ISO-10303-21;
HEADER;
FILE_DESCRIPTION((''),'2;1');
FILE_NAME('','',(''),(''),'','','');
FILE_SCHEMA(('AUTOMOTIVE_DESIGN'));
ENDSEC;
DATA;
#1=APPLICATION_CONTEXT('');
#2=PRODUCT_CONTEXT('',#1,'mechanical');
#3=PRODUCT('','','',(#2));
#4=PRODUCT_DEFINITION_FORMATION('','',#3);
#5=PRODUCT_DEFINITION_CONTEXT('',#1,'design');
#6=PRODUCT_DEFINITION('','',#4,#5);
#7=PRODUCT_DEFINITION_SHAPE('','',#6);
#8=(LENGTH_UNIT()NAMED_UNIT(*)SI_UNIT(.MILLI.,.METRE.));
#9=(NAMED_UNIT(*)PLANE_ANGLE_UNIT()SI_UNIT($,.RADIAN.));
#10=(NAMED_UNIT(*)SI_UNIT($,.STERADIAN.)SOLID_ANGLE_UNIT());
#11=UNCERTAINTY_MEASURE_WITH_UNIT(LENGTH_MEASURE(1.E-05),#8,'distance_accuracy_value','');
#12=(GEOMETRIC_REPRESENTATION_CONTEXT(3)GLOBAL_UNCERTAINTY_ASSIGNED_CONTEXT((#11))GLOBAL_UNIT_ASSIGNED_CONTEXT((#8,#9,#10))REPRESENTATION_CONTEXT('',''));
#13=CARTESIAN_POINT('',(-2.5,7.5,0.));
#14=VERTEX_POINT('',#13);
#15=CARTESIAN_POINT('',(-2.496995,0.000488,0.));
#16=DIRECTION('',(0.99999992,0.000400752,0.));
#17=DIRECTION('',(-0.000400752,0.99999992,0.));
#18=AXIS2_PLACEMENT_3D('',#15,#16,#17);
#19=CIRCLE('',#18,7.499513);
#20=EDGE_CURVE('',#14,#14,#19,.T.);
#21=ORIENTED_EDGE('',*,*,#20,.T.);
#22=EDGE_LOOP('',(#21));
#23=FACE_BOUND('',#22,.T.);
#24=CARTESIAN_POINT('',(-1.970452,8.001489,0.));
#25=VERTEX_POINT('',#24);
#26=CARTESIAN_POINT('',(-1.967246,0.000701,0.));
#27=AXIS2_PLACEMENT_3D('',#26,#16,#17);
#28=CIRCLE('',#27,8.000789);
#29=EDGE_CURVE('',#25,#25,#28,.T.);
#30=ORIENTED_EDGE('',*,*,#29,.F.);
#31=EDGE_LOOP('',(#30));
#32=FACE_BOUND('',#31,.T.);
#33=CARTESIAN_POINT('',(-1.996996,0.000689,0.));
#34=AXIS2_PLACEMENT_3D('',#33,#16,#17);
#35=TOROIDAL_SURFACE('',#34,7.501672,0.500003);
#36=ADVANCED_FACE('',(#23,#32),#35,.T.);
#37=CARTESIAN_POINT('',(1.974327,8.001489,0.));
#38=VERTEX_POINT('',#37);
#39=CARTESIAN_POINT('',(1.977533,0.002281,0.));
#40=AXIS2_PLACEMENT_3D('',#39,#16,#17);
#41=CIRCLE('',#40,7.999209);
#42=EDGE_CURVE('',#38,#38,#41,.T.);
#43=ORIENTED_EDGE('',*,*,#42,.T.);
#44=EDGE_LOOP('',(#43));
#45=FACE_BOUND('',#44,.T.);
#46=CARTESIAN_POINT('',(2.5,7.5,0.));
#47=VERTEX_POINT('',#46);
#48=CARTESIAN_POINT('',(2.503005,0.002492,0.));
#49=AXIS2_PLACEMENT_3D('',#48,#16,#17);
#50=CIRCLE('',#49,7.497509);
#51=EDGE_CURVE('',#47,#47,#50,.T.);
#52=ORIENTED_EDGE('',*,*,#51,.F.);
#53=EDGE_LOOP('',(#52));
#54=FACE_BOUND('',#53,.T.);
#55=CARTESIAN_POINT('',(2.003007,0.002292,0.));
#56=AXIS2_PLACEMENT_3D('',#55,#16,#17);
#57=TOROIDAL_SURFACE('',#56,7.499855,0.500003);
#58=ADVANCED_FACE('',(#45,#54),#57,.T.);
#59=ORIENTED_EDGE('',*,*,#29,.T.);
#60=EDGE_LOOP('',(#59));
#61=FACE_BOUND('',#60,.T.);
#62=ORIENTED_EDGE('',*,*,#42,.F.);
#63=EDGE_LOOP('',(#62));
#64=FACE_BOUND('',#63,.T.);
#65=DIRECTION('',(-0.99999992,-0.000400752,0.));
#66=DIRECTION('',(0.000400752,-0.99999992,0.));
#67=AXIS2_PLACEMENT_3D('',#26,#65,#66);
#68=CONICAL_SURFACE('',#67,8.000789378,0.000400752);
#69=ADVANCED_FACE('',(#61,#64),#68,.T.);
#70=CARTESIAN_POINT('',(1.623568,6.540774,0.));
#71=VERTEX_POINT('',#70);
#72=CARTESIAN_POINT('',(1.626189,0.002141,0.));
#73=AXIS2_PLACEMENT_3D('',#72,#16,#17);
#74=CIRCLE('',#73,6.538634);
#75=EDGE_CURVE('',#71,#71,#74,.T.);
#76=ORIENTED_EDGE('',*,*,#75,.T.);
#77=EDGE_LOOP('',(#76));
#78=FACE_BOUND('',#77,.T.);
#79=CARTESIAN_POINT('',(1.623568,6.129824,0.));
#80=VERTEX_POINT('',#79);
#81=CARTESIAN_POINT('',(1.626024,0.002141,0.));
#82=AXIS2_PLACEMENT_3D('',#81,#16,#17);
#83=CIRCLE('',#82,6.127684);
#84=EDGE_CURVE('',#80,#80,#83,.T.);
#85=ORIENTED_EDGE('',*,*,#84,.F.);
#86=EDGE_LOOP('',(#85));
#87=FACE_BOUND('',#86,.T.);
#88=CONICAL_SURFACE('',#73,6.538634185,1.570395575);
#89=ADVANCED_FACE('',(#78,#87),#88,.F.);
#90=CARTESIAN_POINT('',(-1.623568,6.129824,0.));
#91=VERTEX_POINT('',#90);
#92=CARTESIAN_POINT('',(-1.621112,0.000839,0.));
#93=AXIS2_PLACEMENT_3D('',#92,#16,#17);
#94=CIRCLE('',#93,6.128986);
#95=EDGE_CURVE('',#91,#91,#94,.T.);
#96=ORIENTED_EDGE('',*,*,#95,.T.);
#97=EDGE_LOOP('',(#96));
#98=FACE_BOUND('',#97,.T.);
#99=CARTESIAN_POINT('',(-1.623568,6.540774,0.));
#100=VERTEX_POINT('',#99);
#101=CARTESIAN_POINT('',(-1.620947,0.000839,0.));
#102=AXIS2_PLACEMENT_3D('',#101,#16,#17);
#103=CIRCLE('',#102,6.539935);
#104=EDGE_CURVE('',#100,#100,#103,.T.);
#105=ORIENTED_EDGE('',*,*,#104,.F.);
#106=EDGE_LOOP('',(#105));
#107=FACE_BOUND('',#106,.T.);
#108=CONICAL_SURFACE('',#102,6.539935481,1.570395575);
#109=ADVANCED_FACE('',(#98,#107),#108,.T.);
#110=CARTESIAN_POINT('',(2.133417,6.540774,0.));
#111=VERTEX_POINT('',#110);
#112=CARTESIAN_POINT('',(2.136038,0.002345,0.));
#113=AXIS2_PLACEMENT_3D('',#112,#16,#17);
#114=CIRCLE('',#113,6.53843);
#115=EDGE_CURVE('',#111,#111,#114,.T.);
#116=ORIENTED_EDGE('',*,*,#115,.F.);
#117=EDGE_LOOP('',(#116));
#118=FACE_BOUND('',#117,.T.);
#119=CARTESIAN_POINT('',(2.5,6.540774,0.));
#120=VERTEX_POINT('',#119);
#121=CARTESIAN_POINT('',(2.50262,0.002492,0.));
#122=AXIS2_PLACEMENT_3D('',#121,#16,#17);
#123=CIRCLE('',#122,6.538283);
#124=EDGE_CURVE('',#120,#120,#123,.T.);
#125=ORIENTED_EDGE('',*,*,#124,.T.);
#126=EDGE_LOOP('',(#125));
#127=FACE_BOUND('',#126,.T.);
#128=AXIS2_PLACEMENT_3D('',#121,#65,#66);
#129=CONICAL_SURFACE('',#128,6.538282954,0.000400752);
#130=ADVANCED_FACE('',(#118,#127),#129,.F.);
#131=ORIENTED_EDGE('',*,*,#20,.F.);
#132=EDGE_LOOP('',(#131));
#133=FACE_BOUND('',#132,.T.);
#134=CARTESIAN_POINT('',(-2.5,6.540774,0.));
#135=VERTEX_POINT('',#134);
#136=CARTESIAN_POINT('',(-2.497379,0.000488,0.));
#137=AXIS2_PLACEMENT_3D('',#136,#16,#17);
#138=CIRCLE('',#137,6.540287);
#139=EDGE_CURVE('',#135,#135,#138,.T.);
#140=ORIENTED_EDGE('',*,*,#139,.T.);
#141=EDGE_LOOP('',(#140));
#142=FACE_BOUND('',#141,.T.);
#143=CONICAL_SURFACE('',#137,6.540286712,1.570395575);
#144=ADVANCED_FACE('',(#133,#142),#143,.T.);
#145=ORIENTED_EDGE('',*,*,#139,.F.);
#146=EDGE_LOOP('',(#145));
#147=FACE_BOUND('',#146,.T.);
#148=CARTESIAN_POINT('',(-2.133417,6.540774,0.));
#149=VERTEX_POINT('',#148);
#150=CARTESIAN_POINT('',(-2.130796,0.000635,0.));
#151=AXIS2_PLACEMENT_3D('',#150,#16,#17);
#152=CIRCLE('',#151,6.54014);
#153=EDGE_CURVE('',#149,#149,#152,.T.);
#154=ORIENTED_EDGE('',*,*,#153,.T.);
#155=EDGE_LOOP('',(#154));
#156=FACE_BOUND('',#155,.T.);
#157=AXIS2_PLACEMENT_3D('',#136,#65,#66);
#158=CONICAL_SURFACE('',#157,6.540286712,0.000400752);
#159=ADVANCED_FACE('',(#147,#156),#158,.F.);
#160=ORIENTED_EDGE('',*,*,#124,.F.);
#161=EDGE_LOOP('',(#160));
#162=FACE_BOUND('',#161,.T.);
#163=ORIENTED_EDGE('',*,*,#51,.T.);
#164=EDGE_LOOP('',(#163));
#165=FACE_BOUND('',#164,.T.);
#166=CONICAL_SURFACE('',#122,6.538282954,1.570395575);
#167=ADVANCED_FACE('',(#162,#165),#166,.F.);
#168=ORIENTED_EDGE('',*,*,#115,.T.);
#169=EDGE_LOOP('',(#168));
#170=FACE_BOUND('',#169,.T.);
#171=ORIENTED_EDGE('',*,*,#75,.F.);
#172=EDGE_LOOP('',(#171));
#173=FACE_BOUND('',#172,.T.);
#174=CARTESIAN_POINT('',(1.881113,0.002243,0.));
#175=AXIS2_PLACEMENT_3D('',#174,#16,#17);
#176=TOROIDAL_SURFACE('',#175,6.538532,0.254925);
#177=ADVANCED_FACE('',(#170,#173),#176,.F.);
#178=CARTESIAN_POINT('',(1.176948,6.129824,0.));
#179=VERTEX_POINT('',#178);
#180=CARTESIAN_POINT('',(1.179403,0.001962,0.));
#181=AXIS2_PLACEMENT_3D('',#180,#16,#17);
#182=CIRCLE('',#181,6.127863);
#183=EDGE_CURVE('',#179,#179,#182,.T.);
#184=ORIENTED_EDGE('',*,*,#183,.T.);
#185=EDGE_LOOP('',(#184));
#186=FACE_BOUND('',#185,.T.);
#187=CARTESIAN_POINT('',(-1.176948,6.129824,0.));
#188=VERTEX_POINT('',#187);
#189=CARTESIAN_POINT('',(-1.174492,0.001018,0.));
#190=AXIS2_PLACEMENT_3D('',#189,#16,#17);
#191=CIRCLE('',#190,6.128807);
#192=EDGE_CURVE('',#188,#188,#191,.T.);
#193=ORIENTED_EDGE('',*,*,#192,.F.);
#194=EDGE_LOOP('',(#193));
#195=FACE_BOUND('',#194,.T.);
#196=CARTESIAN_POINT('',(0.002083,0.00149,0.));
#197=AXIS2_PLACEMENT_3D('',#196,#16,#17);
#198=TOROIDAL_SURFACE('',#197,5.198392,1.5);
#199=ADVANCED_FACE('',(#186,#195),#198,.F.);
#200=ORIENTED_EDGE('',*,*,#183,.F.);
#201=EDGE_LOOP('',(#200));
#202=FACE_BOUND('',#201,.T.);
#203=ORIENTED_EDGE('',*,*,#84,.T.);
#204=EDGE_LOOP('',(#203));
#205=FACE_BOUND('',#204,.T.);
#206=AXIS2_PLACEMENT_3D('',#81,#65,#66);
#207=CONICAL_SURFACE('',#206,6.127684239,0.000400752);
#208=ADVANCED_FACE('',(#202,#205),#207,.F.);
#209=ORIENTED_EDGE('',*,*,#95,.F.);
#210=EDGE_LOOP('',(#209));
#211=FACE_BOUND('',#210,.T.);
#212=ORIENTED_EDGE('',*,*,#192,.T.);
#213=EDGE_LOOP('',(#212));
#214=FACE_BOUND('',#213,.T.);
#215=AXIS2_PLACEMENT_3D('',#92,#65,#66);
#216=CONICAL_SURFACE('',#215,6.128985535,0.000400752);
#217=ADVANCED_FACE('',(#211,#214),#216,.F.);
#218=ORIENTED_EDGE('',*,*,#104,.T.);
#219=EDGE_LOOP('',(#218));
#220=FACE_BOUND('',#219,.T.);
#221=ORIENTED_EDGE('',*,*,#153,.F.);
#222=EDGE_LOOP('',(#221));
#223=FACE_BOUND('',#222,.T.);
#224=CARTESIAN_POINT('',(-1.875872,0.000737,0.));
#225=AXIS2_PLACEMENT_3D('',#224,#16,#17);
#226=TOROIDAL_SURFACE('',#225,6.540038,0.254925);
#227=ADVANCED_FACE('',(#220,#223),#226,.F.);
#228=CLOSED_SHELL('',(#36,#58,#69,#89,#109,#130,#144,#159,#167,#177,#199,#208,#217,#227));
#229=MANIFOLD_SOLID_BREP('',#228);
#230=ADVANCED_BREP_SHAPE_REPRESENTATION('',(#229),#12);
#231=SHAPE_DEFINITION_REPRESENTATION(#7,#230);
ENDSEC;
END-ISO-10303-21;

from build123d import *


with BuildPart() as part:
    # Esboço1 → Revolução1 (revolve)
    with BuildSketch(Plane.XY):
        with BuildLine():
            ThreePointArc((-2.5, 7.500000358), (-2.3438088, 7.865403093), (-1.97045185, 8.001489236))
            Line((-1.97045185, 8.001489236), (1.974326959, 8.001489236))
            ThreePointArc((1.974326959, 8.001489236), (2.345137016, 7.863925327), (2.5, 7.500000358))
            Line((2.5, 7.500000358), (2.5, 6.540774236))
            Line((2.5, 6.540774236), (2.133417427, 6.540774236))
            ThreePointArc((2.133417427, 6.540774236), (1.87849288, 6.795698783), (1.623568333, 6.540774236))
            Line((1.623568333, 6.540774236), (1.623568333, 6.129824257))
            Line((1.623568333, 6.129824257), (1.176947721, 6.129824257))
            ThreePointArc((1.176947721, 6.129824257), (0, 6.699881214), (-1.176947721, 6.129824257))
            Line((-1.176947721, 6.129824257), (-1.623568333, 6.129824257))
            Line((-1.623568333, 6.129824257), (-1.623568333, 6.540774236))
            ThreePointArc((-1.623568333, 6.540774236), (-1.87849288, 6.795698783), (-2.133417427, 6.540774236))
            Line((-2.133417427, 6.540774236), (-2.5, 6.540774236))
            Line((-2.5, 6.540774236), (-2.5, 7.500000358))
        make_face()
    revolve(axis=Axis((0, 0.001488878, 0), (-0.9999999196990055, -0.000400751771926105, 0)))


solid = part.part
